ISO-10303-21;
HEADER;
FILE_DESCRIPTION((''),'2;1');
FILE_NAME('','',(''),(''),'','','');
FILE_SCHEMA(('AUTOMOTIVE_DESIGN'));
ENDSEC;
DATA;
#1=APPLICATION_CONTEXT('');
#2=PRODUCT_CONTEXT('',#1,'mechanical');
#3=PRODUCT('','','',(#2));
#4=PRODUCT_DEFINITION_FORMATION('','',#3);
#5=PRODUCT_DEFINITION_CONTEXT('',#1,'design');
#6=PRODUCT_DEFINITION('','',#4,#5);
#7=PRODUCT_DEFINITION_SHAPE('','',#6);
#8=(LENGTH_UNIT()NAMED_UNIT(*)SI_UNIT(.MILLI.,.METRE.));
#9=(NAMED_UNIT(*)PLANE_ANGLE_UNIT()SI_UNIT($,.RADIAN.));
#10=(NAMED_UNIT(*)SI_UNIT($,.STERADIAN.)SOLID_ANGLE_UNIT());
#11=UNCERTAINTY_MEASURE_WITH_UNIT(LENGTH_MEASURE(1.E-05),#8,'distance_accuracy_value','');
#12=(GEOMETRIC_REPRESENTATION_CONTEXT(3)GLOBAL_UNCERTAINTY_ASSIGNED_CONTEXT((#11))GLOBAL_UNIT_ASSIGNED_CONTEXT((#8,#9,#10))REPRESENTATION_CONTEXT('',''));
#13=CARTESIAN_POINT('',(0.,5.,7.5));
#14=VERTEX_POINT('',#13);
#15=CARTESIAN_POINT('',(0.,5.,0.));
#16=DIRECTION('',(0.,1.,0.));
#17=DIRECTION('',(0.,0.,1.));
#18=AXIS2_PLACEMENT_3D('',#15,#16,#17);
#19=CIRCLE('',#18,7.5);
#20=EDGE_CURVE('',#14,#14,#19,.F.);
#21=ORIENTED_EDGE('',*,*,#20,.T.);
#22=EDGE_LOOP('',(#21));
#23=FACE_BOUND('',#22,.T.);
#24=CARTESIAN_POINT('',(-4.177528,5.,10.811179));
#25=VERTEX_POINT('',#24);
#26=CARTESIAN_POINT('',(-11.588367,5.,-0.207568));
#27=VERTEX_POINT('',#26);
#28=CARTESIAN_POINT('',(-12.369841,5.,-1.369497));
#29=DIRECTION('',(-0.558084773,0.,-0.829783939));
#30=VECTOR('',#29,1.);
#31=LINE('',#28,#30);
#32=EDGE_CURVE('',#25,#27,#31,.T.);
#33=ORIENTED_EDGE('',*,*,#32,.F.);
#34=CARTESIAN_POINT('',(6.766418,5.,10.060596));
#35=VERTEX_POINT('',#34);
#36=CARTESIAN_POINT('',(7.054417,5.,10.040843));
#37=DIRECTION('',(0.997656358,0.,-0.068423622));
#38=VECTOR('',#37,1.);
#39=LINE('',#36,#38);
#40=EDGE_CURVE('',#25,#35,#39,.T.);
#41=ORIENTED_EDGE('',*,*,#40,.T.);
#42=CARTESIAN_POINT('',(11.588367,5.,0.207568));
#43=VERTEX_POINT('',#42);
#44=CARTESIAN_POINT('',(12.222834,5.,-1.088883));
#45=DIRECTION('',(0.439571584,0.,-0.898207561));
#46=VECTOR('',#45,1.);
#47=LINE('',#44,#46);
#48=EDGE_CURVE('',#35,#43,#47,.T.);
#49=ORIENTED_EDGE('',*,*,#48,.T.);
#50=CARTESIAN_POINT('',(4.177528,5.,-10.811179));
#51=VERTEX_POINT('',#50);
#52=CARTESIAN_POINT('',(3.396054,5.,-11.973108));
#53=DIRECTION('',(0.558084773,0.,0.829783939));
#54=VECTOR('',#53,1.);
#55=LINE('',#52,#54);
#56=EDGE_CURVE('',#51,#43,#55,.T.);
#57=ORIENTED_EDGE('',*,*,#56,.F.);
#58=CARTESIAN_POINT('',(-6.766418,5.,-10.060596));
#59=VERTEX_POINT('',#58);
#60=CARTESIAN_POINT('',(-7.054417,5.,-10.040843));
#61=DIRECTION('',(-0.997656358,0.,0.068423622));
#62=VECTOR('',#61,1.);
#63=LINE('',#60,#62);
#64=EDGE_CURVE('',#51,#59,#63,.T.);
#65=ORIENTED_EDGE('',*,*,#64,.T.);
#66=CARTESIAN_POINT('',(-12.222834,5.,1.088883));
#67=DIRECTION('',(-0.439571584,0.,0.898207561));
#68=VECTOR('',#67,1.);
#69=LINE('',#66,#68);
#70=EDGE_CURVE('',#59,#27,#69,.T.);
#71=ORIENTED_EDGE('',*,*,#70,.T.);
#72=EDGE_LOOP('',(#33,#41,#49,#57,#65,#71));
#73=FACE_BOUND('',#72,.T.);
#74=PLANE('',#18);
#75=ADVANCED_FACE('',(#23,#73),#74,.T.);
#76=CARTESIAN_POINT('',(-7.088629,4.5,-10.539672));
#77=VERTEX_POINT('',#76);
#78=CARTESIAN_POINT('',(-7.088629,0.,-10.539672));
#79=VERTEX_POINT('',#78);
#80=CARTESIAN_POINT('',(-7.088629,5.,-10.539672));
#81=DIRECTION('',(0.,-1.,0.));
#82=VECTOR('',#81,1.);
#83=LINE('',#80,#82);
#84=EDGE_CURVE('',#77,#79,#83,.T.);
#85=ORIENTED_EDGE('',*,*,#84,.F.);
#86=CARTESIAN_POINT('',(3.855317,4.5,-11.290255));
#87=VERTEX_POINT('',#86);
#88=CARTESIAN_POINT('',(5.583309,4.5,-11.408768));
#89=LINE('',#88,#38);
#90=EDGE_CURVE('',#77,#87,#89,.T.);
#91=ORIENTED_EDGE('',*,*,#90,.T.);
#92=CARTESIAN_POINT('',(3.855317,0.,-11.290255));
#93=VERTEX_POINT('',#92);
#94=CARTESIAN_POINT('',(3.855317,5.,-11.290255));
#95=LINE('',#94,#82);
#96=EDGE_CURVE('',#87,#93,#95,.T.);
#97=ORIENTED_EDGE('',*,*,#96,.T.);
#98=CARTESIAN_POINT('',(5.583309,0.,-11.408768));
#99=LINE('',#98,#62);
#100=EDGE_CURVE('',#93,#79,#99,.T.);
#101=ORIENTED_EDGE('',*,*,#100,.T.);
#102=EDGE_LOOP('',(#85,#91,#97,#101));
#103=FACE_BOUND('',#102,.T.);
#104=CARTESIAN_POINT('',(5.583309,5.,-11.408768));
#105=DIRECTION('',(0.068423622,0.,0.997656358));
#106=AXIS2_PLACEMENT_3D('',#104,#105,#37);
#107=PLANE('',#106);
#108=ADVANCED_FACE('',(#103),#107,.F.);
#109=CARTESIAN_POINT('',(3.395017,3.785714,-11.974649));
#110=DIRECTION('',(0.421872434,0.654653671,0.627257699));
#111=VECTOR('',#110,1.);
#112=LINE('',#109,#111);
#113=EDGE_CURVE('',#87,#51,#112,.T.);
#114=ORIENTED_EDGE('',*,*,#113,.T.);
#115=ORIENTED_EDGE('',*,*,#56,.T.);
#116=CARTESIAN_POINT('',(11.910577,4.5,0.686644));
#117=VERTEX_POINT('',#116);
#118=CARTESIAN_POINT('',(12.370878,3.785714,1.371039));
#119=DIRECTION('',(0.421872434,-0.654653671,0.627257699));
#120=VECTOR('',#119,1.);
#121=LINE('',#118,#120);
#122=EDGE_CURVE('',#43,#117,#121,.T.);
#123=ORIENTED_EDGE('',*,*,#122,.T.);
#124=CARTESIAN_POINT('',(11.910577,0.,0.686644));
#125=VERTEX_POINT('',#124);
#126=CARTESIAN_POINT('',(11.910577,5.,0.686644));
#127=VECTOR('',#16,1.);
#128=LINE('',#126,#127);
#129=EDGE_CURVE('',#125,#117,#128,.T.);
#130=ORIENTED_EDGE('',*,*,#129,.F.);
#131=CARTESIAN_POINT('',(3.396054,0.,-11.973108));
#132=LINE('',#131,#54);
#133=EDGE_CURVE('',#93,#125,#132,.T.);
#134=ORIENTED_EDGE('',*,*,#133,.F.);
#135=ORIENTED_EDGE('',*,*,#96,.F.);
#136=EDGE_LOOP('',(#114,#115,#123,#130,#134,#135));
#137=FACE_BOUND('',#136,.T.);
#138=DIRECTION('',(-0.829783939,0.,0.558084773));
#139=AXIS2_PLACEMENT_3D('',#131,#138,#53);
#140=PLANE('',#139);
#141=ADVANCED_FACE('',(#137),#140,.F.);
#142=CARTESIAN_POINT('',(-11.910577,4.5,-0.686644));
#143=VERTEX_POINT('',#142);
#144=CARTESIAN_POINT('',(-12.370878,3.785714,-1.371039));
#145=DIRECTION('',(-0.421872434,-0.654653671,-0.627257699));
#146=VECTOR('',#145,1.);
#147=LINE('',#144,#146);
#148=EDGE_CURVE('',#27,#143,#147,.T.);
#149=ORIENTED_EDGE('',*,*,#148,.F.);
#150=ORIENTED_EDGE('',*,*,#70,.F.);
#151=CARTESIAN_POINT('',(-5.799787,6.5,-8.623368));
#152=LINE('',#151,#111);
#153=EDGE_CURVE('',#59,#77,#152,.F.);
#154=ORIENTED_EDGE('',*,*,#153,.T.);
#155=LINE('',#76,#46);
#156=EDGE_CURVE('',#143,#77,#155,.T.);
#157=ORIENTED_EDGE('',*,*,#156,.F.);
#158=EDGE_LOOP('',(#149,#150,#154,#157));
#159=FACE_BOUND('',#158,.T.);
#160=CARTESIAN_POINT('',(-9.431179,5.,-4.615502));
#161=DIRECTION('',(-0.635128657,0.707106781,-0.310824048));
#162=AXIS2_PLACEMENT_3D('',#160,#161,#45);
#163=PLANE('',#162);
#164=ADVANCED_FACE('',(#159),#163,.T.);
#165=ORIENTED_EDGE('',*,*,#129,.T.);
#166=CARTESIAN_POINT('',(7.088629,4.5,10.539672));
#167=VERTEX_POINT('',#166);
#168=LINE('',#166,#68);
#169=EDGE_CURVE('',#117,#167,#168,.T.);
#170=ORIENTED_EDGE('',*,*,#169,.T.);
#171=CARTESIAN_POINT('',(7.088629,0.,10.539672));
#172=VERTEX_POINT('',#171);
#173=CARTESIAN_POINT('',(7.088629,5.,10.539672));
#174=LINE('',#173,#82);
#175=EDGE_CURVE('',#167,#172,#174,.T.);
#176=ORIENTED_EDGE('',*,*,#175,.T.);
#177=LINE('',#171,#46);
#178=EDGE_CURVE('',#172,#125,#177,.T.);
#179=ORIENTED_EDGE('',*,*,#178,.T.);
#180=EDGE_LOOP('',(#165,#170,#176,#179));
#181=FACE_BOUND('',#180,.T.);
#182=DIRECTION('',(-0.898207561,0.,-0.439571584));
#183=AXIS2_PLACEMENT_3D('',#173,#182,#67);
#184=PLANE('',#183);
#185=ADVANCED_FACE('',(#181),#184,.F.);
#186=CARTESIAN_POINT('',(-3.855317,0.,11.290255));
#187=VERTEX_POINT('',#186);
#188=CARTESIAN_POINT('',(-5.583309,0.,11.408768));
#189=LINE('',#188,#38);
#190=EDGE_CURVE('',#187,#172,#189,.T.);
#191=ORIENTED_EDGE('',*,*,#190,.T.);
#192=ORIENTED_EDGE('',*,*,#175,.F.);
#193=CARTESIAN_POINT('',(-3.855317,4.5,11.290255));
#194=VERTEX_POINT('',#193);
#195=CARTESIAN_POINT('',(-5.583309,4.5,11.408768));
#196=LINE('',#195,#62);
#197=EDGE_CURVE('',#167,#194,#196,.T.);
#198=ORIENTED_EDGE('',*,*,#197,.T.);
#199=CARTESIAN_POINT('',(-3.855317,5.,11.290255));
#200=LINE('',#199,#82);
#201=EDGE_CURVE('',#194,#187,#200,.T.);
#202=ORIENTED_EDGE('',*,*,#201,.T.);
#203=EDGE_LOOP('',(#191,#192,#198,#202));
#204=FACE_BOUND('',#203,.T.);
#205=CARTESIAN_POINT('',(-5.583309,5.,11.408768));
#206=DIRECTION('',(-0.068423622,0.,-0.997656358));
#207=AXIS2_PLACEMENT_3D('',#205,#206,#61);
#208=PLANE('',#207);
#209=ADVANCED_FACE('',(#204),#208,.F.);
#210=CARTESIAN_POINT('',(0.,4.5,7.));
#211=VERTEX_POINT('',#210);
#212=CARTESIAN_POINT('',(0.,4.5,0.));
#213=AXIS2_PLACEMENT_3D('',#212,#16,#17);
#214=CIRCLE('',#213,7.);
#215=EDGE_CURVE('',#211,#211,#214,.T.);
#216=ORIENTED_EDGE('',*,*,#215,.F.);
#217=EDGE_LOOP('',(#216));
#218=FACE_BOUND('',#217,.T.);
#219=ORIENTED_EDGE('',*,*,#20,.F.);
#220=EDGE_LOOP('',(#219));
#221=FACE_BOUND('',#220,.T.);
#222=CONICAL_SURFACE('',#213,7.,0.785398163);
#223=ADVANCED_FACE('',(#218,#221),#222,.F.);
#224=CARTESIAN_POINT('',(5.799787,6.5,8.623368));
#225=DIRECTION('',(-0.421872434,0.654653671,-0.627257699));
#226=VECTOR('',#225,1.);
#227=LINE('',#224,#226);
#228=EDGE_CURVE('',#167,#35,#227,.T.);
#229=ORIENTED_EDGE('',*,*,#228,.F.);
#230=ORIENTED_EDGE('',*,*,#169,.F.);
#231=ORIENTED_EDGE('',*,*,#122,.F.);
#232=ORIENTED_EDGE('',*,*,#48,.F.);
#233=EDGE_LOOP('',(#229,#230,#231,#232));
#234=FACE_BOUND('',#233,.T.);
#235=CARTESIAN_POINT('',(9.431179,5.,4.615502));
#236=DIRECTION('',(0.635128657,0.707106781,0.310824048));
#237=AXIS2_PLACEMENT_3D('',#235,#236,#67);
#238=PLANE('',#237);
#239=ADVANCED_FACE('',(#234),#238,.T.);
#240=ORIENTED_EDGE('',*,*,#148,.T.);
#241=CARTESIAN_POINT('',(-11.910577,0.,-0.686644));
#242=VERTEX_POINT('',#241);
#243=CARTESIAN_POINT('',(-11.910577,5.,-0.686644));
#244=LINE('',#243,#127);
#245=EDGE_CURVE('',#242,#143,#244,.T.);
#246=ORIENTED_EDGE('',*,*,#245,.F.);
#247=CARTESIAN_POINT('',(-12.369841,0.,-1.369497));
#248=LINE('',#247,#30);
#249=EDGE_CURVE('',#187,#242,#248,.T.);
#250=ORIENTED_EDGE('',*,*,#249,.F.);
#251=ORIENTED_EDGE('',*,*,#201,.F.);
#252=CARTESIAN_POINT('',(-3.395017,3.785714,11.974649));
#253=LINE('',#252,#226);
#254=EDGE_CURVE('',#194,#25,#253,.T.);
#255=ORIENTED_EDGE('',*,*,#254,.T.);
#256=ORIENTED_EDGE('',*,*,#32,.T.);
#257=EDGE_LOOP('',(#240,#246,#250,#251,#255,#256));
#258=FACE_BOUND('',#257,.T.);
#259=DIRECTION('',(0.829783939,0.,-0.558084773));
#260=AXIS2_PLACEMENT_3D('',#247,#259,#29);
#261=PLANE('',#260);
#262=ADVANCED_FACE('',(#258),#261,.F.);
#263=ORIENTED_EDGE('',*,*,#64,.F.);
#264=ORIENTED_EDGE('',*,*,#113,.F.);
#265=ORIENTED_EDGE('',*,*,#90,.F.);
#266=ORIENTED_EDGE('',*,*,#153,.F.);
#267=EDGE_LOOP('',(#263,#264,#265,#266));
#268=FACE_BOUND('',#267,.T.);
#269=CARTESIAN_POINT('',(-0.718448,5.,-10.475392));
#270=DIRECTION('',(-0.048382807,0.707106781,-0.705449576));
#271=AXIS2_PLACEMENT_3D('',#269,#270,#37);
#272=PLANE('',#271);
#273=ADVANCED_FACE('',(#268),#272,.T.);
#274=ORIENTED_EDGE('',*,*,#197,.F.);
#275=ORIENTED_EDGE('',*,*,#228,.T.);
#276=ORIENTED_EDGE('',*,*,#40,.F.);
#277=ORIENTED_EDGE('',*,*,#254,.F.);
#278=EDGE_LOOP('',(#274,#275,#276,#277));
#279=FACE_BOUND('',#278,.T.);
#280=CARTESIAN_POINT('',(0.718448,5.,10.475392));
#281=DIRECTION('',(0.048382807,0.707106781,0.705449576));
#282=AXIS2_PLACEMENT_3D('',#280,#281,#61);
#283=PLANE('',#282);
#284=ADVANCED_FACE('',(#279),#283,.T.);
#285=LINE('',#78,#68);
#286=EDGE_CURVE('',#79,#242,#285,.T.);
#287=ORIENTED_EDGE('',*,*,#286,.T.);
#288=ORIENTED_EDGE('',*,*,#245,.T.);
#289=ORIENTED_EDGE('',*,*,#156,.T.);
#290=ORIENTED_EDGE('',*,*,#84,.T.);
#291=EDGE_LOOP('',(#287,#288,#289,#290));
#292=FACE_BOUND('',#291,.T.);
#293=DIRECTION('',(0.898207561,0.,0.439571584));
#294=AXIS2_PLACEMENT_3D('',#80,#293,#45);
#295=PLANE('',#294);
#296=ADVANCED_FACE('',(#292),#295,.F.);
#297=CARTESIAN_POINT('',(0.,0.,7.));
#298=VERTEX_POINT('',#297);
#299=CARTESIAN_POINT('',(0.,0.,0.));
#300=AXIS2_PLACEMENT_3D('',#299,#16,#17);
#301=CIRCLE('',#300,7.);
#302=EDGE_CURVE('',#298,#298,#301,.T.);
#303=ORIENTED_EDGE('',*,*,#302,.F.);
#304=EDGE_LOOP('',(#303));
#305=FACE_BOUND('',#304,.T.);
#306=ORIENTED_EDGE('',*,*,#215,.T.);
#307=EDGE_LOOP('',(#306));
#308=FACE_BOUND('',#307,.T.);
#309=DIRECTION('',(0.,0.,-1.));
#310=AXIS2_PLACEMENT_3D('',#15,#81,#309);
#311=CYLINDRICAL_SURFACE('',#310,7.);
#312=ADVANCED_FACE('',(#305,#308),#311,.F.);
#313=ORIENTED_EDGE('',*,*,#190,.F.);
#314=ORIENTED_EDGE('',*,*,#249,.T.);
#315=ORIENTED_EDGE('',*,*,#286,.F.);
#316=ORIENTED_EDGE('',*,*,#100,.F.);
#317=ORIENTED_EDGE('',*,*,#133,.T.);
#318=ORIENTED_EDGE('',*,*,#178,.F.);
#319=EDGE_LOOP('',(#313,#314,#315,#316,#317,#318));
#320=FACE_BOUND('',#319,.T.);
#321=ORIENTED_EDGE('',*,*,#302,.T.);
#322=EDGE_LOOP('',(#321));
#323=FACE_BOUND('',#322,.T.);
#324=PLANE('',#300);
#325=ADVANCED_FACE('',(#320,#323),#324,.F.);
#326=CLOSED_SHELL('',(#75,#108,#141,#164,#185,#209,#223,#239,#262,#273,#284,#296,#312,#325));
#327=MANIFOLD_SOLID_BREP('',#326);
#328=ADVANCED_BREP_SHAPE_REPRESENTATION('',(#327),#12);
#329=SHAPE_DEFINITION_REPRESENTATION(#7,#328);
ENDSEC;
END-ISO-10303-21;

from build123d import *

# Parameters (mm, degrees)
SKETCH1_R           = 7
BOSS_EXTRUDE1_DEPTH = 5
CHAMFER1_SIZE       = 0.5
CUT_EXTRUDE1_DEPTH  = 18.76901793


with BuildPart() as part:
    # Sketch1 → Boss-Extrude1 (new body)
    with BuildSketch(Plane(origin=(0, 0, 0), x_dir=(1, 0, 0), z_dir=(0, 1, 0))):
        Polygon((7.08862867, -10.539671575), (12.671937667, 0.869096719), (5.583308997, 11.408768294), (-7.08862867, 10.539671575), (-12.671937667, -0.869096719), (-5.583308997, -11.408768294), align=None)
        with Locations(Location((0, 0, 0), (0, 0, 270))):
            Circle(SKETCH1_R, mode=Mode.SUBTRACT)
    extrude(amount=BOSS_EXTRUDE1_DEPTH)

    # Chamfer1
    chamfer1_edges = [part.edges().sort_by_distance(p)[0] for p in [
        (9.127623332, 5, -6.138932506),
        (-0.752659837, 5, -10.974219934),
        (-9.880283168, 5, -4.835287428),
        (0, 5, -7),
        (-9.127623332, 5, 6.138932506),
        (0.752659837, 5, 10.974219934),
        (9.880283168, 5, 4.835287428),
    ]]
    chamfer(chamfer1_edges, length=CHAMFER1_SIZE)

    # Sketch2 → Cut-Extrude1 (cut, through all)
    with BuildSketch(Plane(origin=(0, 5, 0), x_dir=(1, 0, 0), z_dir=(0, 1, 0))):
        Polygon((-12.369841003, 1.369496951), (-3.313446114, -12.095932292), (-6.221668225, -14.051904686), (-15.278063114, -0.586475443), align=None)
        Polygon((3.396053842, 11.973107643), (6.304275954, 13.929080037), (15.360670843, 0.463650794), (12.452448732, -1.4923216), align=None)
    extrude(amount=-CUT_EXTRUDE1_DEPTH, mode=Mode.SUBTRACT)


solid = part.part
